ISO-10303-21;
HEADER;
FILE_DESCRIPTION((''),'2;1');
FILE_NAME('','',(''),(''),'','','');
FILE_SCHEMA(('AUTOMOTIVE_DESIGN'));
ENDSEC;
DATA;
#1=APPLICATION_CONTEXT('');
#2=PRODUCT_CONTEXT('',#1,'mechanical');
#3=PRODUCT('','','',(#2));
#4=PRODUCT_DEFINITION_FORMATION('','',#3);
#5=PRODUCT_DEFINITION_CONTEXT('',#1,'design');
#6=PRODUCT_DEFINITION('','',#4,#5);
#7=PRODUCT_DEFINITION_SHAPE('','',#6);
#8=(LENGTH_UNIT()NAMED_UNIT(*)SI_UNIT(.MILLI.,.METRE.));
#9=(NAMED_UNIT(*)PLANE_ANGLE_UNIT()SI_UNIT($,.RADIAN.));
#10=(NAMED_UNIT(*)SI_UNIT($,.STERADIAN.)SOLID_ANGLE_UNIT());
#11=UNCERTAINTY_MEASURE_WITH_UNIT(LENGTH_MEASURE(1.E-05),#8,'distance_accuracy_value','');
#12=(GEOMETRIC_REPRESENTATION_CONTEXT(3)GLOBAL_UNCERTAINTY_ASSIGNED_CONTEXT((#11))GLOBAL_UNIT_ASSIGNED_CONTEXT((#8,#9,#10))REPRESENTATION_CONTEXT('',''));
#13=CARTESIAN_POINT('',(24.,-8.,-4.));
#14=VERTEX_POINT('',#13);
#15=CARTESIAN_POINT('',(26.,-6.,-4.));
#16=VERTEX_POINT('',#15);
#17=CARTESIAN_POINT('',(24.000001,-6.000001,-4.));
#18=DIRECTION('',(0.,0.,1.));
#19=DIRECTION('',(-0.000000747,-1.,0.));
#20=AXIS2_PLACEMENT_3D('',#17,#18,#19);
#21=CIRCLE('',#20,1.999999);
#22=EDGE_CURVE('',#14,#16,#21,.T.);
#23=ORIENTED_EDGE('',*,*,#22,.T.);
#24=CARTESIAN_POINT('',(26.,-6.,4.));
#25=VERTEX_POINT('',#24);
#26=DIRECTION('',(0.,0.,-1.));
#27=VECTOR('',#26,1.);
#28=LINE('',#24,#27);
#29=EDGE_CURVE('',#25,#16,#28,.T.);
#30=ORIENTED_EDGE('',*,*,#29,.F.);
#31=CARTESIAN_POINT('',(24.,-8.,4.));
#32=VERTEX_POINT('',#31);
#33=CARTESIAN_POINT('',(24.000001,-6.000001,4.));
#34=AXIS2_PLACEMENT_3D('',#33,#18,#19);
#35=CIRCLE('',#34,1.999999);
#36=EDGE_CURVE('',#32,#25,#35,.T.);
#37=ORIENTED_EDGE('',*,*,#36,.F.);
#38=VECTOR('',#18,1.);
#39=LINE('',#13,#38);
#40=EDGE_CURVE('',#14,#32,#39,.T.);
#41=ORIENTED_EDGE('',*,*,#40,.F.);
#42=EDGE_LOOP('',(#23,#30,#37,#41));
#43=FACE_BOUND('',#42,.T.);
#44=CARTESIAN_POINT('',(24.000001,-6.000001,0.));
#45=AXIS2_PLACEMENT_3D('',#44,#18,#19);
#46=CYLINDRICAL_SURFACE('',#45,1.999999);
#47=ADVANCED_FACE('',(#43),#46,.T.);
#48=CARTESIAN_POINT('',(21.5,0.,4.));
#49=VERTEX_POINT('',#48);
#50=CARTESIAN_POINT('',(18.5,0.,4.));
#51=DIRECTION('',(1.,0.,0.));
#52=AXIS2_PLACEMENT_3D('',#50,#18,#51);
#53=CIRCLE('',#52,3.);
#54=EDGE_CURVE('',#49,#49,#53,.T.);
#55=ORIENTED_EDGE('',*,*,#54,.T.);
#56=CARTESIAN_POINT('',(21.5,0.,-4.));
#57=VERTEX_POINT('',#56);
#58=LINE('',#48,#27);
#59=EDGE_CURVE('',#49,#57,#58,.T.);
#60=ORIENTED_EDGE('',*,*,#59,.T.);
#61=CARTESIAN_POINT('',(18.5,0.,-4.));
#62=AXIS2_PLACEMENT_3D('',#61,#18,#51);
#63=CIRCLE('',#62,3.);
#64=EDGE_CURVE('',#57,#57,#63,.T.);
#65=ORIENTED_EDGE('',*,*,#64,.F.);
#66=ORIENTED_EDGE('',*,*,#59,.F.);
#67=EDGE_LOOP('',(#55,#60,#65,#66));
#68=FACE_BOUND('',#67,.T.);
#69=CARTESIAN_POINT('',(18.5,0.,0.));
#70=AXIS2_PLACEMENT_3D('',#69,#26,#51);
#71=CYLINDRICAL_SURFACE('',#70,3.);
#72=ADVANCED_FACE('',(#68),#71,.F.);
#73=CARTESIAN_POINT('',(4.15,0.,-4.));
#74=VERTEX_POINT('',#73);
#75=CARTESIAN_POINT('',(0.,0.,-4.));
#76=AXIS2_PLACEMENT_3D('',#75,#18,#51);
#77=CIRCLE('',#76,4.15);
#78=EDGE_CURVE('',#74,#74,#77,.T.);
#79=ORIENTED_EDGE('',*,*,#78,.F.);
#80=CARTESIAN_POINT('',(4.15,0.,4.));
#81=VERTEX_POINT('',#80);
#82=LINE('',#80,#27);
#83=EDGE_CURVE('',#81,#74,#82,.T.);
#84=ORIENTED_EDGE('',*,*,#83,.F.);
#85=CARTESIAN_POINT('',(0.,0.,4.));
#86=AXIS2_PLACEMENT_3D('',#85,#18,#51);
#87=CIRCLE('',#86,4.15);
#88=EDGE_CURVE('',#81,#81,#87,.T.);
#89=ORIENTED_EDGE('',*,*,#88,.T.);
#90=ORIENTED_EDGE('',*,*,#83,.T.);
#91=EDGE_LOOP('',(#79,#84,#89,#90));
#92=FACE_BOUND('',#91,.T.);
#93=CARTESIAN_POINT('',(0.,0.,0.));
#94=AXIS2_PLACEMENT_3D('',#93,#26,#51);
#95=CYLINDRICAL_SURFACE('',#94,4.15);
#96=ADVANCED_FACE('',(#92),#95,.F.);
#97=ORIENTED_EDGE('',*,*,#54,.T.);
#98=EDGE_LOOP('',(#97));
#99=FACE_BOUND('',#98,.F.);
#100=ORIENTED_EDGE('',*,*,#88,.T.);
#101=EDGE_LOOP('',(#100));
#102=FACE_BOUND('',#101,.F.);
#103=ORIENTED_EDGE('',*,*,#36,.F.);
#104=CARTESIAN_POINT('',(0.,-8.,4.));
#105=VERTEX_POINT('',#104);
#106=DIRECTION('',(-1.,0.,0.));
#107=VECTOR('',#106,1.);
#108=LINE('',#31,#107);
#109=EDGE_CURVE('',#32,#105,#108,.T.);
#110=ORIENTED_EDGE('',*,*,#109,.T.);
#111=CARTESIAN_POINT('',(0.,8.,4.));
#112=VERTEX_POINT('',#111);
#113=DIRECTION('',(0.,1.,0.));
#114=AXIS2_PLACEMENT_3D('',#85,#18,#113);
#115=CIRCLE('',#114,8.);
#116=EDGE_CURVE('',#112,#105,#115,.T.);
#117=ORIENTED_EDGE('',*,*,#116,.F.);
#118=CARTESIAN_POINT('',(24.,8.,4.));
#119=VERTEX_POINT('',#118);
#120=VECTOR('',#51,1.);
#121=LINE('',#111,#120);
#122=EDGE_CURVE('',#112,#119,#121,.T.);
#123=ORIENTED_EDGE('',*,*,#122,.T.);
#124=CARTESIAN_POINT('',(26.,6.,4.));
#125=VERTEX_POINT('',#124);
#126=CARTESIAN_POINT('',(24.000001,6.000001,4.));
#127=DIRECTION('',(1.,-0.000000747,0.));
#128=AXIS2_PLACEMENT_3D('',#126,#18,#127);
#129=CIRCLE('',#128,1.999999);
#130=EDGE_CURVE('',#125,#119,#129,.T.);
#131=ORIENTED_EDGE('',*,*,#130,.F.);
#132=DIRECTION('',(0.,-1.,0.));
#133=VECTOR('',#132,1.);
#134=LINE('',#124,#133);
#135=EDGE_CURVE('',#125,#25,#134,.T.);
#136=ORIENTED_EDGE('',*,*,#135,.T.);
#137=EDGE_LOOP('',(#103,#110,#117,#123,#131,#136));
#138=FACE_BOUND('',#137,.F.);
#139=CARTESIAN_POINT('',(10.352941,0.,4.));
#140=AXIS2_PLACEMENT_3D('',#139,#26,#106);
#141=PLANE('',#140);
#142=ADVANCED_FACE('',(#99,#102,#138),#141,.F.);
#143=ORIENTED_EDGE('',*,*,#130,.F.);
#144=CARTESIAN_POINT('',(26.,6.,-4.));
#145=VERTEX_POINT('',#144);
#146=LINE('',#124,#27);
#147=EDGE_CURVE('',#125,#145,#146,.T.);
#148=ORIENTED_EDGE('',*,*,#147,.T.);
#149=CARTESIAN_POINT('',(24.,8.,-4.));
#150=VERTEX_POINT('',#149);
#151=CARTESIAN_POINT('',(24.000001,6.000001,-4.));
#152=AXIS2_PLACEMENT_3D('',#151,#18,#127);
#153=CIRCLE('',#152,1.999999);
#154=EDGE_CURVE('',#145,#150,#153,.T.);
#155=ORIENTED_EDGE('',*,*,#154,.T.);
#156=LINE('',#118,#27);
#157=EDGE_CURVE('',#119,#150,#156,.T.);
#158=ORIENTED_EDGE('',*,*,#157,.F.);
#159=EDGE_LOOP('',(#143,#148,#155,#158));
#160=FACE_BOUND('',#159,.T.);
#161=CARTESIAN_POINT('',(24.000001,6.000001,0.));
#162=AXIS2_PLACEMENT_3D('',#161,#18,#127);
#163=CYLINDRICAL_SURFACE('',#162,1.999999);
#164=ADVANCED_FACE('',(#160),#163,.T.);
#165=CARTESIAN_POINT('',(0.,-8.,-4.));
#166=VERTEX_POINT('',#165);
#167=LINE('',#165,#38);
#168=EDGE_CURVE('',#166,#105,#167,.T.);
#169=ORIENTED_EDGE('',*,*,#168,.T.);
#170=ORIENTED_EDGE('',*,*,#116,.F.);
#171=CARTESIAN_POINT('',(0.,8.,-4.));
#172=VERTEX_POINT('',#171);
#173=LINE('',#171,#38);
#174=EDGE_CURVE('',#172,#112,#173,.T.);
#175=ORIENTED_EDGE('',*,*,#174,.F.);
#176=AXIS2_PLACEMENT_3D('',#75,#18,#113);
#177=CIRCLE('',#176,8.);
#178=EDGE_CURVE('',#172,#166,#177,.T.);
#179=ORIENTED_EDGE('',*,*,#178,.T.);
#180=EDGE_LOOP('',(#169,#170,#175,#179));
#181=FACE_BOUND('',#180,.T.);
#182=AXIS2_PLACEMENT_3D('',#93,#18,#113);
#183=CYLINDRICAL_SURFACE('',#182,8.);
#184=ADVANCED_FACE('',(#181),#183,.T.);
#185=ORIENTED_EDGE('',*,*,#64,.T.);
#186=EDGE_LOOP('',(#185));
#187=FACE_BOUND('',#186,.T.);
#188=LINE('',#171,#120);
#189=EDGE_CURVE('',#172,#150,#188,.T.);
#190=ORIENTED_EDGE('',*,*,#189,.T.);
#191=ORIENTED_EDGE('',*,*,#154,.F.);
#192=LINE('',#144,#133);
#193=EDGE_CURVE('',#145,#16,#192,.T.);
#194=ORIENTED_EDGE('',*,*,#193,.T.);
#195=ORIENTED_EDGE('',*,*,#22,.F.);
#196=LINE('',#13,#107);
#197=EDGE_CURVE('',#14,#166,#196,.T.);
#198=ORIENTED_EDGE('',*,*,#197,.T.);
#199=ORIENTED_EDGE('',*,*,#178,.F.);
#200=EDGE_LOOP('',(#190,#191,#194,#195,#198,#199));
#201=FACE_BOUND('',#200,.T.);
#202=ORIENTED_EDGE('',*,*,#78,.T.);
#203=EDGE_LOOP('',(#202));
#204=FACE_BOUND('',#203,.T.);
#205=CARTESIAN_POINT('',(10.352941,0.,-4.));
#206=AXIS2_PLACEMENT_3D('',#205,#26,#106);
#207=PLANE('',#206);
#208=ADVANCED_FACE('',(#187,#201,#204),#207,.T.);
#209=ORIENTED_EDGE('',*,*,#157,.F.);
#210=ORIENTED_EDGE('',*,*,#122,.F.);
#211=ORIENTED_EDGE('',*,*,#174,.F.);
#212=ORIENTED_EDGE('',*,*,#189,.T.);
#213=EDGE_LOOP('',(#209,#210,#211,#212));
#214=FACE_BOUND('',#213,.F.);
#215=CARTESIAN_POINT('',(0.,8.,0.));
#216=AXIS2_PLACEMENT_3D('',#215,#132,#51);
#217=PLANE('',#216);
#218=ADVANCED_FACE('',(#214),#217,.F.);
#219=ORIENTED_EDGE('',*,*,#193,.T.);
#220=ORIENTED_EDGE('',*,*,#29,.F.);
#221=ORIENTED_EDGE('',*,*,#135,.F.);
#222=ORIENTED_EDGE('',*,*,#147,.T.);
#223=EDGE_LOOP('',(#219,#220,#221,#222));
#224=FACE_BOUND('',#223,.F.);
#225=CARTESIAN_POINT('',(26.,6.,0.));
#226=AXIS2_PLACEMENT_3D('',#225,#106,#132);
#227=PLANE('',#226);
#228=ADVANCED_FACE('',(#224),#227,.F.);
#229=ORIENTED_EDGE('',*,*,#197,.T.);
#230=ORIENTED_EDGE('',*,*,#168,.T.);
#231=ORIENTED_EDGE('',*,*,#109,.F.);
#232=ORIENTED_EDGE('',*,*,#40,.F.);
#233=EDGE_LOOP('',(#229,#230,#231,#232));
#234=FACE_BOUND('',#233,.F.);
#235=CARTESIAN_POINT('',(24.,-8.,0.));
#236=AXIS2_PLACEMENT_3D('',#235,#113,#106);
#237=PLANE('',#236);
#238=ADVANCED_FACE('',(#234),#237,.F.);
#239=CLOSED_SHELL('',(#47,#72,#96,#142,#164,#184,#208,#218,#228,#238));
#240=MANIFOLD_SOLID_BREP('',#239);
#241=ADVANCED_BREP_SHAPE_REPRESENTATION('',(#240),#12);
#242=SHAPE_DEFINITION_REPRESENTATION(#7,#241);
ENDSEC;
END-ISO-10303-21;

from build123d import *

# Parameters (mm, degrees)
SKETCH_R   = 3
SKETCH_R_2 = 4.15
PAD_DEPTH  = 4


with BuildPart() as part:
    # Sketch → Pad (new body, symmetric)
    with BuildSketch(Plane.XY):
        with BuildLine():
            Line((0, 8), (24, 8))
            ThreePointArc((26, 6), (25.414214, 7.414214), (24, 8))
            Line((26, 6), (26, -6))
            ThreePointArc((24, -8), (25.414214, -7.414214), (26, -6))
            Line((24, -8), (0, -8))
            ThreePointArc((0, 8), (-8, 0), (0, -8))
        make_face()
        with Locations((18.5, 0)):
            Circle(SKETCH_R, mode=Mode.SUBTRACT)
        Circle(SKETCH_R_2, mode=Mode.SUBTRACT)
    extrude(amount=PAD_DEPTH, both=True)


solid = part.part
